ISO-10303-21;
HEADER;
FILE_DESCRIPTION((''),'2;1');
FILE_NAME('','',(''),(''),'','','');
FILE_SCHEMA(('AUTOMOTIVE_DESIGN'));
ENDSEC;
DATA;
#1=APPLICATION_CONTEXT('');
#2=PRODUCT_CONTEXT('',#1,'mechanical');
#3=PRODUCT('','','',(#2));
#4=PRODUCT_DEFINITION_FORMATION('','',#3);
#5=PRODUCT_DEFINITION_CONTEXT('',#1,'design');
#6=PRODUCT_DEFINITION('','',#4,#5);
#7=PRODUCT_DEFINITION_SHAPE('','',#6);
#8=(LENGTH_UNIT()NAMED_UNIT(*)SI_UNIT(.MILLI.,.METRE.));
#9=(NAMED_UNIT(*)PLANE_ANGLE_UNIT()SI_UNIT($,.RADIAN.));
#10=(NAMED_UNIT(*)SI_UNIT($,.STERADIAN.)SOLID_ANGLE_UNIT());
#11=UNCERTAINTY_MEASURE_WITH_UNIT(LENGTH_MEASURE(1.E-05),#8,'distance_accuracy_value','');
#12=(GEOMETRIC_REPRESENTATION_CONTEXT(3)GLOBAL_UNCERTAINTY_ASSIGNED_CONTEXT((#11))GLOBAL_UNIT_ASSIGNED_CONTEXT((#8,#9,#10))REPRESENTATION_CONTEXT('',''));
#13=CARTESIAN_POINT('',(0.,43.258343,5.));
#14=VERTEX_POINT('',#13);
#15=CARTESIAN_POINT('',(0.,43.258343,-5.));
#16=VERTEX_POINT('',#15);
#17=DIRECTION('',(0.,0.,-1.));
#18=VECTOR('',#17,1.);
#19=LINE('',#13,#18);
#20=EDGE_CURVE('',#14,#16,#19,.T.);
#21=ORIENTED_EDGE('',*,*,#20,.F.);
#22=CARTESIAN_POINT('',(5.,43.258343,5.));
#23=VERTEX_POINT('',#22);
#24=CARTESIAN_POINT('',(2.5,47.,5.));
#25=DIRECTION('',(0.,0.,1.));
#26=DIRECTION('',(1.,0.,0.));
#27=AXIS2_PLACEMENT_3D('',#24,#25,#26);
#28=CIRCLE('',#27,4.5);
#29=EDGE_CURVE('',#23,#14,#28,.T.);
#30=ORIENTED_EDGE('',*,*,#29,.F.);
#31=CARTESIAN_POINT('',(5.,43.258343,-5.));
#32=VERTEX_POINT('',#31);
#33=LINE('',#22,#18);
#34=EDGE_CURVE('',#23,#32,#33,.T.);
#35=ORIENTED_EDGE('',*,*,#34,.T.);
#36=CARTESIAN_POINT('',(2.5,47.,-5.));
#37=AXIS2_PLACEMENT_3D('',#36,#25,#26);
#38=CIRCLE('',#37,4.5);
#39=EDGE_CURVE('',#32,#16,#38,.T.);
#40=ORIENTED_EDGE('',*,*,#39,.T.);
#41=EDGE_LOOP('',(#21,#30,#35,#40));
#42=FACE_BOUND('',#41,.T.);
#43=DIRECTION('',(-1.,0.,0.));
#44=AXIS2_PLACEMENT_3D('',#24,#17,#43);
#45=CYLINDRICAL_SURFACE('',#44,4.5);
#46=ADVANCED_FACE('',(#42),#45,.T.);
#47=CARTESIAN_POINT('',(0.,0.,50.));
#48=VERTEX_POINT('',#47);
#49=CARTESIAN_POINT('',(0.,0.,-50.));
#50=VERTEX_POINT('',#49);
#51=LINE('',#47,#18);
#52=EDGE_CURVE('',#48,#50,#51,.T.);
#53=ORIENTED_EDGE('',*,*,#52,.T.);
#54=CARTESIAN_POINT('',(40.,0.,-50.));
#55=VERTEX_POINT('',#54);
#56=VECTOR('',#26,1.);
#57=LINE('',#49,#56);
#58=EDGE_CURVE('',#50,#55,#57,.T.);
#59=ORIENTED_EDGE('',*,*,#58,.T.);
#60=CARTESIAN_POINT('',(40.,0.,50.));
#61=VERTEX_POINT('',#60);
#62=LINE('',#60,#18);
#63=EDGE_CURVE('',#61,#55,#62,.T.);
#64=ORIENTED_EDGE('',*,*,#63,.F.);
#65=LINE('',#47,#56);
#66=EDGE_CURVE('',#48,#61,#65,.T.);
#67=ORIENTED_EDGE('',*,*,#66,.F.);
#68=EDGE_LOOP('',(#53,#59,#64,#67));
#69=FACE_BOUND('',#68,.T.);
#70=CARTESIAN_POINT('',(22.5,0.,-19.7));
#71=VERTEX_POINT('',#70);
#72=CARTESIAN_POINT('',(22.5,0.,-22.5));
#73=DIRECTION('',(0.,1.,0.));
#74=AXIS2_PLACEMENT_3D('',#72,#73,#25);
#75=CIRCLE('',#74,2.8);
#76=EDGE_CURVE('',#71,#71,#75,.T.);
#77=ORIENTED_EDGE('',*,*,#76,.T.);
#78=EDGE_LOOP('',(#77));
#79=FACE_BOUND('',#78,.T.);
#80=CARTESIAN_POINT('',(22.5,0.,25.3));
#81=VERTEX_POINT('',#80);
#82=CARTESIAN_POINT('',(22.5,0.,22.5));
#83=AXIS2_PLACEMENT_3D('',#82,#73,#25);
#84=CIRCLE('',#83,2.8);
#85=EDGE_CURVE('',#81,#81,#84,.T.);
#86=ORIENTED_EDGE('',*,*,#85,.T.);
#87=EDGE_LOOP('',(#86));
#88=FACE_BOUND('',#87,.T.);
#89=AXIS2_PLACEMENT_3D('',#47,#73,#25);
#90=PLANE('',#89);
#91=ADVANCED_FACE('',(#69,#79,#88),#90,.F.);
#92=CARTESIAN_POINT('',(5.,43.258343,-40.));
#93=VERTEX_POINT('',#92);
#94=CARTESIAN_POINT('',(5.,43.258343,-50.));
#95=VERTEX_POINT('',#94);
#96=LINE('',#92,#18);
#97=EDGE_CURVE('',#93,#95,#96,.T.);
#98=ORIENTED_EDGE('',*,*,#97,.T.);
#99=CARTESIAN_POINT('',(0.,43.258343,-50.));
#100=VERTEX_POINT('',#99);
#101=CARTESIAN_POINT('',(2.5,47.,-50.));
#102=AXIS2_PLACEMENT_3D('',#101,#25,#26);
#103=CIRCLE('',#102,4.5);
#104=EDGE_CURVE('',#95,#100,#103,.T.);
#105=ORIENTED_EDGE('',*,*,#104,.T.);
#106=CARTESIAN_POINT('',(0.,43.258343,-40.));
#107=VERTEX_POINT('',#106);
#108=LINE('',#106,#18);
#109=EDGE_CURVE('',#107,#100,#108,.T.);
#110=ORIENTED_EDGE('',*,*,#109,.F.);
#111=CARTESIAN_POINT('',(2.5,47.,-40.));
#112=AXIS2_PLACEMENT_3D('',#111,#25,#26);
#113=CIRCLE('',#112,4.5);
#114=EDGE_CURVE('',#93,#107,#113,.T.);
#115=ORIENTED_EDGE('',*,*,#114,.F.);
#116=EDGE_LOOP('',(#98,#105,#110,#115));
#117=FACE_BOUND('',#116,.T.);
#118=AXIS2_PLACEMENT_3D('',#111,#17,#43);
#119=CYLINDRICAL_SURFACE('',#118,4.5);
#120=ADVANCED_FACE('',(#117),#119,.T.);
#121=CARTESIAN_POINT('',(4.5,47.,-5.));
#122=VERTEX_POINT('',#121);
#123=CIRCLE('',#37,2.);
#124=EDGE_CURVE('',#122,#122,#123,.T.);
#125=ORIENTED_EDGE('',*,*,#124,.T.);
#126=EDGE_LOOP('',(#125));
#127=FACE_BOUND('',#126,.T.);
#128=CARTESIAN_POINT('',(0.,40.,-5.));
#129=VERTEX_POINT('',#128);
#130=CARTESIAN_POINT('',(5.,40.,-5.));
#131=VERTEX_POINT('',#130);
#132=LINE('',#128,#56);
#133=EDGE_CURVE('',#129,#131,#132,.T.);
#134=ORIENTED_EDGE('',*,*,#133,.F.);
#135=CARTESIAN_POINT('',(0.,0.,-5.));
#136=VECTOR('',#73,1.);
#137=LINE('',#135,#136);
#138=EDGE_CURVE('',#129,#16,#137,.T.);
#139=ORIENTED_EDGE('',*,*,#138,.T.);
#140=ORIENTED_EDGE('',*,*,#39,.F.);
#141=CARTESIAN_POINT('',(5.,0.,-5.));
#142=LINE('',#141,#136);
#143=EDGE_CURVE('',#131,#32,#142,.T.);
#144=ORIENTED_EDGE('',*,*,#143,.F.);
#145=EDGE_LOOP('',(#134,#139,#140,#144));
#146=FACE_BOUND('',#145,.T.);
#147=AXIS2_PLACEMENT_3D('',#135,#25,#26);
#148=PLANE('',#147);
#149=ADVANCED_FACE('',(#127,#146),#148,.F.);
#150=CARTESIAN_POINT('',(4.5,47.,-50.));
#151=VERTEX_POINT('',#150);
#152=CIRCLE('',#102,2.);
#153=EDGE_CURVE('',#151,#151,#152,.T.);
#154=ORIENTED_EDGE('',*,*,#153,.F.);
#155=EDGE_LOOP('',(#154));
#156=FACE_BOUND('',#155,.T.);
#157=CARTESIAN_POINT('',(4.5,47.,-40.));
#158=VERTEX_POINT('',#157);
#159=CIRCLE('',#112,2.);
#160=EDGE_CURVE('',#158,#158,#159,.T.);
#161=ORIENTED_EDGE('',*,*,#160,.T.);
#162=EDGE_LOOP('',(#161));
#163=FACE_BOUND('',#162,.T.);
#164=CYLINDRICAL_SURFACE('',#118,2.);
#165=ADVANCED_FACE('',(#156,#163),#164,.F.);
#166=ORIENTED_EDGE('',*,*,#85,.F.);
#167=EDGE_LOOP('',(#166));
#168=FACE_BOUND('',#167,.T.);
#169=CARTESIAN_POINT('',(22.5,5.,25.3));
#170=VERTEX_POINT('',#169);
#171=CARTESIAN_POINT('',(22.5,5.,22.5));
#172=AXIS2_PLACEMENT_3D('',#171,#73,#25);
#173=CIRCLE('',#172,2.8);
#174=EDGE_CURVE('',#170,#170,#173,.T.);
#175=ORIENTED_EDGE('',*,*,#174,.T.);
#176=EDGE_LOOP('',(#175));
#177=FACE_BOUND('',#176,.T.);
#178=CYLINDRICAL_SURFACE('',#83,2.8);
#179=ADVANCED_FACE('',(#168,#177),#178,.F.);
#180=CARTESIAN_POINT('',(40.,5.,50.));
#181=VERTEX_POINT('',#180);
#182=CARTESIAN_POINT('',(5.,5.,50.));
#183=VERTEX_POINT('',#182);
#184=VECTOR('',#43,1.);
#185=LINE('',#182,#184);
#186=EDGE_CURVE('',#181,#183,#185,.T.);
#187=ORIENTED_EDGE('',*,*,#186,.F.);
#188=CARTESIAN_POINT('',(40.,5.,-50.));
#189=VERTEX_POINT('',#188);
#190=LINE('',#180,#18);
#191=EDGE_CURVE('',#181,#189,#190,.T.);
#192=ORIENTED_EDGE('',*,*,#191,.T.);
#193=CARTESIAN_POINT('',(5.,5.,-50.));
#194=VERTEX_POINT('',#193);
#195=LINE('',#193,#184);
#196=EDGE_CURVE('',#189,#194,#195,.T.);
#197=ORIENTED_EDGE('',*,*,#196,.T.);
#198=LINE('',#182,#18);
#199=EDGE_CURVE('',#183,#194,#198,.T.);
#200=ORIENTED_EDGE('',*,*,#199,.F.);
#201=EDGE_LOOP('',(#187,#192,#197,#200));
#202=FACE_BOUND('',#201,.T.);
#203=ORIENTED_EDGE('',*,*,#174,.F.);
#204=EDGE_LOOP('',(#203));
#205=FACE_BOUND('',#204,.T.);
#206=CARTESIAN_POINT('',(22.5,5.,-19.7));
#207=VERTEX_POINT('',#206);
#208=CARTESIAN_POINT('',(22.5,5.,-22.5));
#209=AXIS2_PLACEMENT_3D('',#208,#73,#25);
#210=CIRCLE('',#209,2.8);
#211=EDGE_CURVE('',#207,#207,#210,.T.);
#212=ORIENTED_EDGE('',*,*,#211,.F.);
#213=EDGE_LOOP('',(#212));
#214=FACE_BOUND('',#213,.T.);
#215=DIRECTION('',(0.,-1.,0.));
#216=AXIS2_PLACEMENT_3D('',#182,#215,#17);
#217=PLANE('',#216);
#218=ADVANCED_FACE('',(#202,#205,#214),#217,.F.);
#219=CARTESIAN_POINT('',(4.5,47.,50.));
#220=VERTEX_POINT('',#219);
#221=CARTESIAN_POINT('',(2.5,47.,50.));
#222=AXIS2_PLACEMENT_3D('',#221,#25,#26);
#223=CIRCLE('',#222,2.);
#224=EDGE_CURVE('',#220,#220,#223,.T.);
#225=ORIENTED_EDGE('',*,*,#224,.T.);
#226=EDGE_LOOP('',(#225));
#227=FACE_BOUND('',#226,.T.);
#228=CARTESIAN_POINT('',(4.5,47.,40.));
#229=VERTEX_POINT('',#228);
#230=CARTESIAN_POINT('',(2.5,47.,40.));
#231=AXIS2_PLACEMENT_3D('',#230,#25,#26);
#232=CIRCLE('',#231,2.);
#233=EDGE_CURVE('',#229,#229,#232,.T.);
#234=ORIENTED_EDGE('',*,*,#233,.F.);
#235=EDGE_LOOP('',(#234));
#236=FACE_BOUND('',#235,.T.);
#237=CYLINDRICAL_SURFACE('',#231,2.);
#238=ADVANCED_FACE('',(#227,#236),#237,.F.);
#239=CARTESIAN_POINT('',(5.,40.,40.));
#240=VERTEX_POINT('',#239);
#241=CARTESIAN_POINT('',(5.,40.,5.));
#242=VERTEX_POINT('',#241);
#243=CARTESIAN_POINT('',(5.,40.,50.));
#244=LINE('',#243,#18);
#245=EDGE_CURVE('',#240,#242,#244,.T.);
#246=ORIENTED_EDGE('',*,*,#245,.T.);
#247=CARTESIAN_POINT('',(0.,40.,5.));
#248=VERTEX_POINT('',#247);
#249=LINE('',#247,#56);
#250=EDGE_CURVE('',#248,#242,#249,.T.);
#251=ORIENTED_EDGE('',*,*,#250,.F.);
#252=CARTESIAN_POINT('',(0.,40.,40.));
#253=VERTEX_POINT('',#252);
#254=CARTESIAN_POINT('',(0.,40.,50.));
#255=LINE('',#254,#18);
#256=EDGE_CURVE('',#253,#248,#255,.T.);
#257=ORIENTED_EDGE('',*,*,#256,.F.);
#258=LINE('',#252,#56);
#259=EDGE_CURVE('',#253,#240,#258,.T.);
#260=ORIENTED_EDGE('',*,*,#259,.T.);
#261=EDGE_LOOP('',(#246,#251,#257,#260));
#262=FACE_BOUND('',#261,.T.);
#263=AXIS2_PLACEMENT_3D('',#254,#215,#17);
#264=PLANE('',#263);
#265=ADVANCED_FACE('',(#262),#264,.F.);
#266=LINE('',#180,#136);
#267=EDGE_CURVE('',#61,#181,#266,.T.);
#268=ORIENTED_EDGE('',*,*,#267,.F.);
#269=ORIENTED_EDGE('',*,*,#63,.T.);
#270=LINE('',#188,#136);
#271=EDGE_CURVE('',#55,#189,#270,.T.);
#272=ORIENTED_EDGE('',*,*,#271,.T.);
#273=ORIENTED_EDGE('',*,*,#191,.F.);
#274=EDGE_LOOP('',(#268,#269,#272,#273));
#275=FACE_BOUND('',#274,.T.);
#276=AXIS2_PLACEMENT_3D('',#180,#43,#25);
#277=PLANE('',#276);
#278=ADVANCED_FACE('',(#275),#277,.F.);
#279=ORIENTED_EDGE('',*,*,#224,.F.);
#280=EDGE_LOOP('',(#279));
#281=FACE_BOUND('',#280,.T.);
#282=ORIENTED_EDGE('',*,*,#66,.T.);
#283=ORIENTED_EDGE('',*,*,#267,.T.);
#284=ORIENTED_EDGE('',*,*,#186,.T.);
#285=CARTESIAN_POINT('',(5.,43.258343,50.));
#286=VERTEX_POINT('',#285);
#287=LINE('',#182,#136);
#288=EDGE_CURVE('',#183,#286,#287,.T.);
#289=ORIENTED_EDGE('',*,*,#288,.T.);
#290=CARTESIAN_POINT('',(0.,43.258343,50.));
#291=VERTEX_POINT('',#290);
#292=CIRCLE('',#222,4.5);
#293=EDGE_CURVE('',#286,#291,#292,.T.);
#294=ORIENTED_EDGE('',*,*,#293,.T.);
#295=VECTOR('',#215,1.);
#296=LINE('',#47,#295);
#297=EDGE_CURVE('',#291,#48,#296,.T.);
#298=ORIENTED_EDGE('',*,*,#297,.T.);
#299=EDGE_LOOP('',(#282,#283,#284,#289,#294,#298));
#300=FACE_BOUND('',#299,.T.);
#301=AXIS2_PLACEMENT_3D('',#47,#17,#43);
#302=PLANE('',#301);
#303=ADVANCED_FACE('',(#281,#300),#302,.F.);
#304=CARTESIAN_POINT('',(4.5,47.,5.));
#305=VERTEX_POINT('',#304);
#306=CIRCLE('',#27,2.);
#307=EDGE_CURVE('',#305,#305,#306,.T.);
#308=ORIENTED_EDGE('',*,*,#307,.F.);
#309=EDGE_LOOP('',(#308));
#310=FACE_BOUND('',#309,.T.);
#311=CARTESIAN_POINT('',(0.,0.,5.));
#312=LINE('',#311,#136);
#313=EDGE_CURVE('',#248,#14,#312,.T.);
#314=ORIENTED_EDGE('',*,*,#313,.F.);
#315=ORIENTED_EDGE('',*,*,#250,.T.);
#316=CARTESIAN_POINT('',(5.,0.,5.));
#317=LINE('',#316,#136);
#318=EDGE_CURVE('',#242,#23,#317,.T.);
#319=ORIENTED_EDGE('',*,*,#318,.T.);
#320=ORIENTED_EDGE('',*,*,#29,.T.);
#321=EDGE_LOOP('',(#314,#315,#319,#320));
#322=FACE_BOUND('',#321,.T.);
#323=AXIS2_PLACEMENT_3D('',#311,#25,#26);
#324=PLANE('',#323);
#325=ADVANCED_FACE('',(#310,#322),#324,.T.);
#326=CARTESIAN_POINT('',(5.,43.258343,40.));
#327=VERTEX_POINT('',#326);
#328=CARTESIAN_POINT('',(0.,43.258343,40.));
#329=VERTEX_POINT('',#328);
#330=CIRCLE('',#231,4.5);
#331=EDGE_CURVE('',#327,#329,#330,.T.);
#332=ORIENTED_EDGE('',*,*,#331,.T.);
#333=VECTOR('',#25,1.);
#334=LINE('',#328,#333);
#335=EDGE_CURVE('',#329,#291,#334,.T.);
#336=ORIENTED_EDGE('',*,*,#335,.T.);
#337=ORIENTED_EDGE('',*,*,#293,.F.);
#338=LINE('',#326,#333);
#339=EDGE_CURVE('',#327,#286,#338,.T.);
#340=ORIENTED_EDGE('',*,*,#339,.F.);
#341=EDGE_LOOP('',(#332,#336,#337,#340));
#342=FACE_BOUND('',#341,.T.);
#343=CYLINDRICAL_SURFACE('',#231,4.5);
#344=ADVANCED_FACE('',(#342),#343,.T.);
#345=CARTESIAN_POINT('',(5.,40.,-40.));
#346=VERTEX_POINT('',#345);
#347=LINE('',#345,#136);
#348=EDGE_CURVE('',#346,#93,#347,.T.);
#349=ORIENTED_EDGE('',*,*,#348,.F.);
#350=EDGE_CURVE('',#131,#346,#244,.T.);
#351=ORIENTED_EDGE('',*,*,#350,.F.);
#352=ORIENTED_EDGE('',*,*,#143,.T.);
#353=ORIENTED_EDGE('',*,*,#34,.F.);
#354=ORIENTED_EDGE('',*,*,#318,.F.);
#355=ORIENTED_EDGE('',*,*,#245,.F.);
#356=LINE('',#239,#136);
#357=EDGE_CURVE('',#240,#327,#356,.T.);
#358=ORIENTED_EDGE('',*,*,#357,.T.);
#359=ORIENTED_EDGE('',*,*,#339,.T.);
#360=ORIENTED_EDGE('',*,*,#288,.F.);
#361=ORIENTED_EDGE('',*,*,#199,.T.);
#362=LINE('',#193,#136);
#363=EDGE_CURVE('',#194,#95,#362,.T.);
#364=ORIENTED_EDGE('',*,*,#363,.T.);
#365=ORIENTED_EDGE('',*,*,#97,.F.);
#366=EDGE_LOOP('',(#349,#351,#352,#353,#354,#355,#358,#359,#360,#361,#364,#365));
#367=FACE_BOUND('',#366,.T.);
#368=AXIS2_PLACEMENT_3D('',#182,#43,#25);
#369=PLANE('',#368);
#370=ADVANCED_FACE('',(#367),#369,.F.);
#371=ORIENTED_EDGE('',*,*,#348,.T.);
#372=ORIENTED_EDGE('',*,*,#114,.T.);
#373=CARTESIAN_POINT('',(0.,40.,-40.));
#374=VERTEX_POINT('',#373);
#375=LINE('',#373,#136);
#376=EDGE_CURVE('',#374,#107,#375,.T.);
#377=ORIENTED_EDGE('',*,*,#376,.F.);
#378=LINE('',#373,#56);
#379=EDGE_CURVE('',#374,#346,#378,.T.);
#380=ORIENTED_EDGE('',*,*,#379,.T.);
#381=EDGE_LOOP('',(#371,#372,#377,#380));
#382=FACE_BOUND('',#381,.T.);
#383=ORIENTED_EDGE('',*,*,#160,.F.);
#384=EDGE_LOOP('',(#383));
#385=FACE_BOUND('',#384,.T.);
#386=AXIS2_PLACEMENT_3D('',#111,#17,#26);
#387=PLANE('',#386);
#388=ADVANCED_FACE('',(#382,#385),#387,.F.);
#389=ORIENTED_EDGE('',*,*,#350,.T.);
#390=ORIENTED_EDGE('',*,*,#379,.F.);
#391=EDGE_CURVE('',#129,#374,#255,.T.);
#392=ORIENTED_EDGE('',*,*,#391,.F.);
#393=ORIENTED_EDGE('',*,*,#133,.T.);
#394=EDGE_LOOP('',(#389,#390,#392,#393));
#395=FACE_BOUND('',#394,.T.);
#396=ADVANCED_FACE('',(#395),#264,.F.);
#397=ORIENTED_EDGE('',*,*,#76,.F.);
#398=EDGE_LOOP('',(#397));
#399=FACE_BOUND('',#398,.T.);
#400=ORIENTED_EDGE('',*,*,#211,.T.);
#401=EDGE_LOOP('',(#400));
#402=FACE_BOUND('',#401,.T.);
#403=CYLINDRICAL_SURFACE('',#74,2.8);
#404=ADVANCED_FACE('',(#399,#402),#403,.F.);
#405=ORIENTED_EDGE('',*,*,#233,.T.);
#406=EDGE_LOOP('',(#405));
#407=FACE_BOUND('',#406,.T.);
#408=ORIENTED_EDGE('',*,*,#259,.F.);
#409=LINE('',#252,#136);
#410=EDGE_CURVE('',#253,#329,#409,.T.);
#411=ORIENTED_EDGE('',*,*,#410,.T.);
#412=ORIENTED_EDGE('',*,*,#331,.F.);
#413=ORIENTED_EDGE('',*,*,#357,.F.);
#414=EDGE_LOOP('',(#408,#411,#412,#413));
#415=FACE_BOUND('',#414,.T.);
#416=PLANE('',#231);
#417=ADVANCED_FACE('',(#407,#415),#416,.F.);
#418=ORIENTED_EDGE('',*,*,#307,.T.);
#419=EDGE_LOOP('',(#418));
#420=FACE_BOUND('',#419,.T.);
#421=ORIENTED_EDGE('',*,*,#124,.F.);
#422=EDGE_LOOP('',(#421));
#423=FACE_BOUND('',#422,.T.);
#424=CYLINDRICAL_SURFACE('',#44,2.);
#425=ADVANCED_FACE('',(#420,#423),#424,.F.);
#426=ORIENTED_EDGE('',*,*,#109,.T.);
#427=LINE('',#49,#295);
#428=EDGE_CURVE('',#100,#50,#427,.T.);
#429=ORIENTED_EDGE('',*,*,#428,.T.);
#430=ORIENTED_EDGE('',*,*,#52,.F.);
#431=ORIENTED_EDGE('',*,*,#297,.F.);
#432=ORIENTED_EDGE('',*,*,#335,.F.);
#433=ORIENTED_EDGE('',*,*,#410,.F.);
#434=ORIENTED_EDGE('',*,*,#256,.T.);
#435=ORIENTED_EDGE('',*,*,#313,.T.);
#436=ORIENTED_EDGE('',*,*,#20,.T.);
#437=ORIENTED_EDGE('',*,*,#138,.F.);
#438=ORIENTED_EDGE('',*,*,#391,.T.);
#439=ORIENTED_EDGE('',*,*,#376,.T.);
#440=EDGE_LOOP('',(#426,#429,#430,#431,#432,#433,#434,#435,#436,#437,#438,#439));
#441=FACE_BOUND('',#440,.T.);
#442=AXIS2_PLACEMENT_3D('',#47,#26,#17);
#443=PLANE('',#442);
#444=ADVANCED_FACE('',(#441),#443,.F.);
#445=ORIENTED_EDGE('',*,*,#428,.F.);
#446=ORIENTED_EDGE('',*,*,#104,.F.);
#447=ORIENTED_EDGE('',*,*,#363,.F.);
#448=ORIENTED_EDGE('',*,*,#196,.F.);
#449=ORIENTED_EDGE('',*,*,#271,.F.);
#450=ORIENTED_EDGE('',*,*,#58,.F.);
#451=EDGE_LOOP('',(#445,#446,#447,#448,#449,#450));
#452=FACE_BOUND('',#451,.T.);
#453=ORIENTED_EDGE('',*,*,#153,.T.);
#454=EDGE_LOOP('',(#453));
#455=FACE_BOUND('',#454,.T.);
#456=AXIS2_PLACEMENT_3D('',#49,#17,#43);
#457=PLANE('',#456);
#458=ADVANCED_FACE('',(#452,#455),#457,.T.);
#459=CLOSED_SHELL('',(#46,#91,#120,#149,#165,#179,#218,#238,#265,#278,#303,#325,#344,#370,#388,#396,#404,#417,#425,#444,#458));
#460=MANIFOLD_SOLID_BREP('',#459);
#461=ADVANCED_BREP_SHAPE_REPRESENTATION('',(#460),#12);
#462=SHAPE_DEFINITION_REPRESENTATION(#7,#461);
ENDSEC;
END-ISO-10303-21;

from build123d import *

# Parameters (mm, degrees)
BOSS_EXTRUDE1_DEPTH = 50
SKETCH7_R           = 4.5
SKETCH7_R_2         = 2
SKETCH7_W           = 5
SKETCH7_H           = 3.258342613
BOSS_EXTRUDE4_DEPTH = 5
SKETCH2_R           = 4.5
SKETCH2_R_2         = 2
SKETCH2_W           = 5
SKETCH2_H           = 3.258342613
BOSS_EXTRUDE3_DEPTH = 10
SKETCH12_R          = 2.8
CUT_EXTRUDE1_DEPTH  = 6


with BuildPart() as part:
    # Sketch1 → Boss-Extrude1 (new body, symmetric)
    with BuildSketch(Plane.XY):
        Polygon((0, 0), (0, 40), (5, 40), (5, 5), (40, 5), (40, 0), align=None)
    extrude(amount=BOSS_EXTRUDE1_DEPTH, both=True)

    # Sketch7 → Boss-Extrude4 (add, symmetric)
    with BuildSketch(Plane.XY):
        with Locations((2.5, 47)):
            Circle(SKETCH7_R)
        with Locations((2.5, 47)):
            Circle(SKETCH7_R_2, mode=Mode.SUBTRACT)
        with Locations((2.5, 41.629171306)):
            Rectangle(SKETCH7_W, SKETCH7_H)
    extrude(amount=BOSS_EXTRUDE4_DEPTH, both=True)

    # Sketch2 → Boss-Extrude3 (add)
    with BuildSketch(Plane.XY.offset(50)):
        with Locations((2.5, 47)):
            Circle(SKETCH2_R)
        with Locations((2.5, 47)):
            Circle(SKETCH2_R_2, mode=Mode.SUBTRACT)
        with Locations((2.5, 41.629171306)):
            Rectangle(SKETCH2_W, SKETCH2_H)
    boss_extrude3 = extrude(amount=-BOSS_EXTRUDE3_DEPTH)

    # Mirror1: Boss-Extrude3 across plane
    add(boss_extrude3.mirror(Plane.XY))

    # Sketch12 → Cut-Extrude1 (cut, through all)
    with BuildSketch(Plane(origin=(0, 5, 0), x_dir=(1, 0, 0), z_dir=(0, 1, 0))):
        with Locations((22.5, 22.5)):
            Circle(SKETCH12_R)
        with Locations((22.5, -22.5)):
            Circle(SKETCH12_R)
    extrude(amount=-CUT_EXTRUDE1_DEPTH, mode=Mode.SUBTRACT)


solid = part.part
